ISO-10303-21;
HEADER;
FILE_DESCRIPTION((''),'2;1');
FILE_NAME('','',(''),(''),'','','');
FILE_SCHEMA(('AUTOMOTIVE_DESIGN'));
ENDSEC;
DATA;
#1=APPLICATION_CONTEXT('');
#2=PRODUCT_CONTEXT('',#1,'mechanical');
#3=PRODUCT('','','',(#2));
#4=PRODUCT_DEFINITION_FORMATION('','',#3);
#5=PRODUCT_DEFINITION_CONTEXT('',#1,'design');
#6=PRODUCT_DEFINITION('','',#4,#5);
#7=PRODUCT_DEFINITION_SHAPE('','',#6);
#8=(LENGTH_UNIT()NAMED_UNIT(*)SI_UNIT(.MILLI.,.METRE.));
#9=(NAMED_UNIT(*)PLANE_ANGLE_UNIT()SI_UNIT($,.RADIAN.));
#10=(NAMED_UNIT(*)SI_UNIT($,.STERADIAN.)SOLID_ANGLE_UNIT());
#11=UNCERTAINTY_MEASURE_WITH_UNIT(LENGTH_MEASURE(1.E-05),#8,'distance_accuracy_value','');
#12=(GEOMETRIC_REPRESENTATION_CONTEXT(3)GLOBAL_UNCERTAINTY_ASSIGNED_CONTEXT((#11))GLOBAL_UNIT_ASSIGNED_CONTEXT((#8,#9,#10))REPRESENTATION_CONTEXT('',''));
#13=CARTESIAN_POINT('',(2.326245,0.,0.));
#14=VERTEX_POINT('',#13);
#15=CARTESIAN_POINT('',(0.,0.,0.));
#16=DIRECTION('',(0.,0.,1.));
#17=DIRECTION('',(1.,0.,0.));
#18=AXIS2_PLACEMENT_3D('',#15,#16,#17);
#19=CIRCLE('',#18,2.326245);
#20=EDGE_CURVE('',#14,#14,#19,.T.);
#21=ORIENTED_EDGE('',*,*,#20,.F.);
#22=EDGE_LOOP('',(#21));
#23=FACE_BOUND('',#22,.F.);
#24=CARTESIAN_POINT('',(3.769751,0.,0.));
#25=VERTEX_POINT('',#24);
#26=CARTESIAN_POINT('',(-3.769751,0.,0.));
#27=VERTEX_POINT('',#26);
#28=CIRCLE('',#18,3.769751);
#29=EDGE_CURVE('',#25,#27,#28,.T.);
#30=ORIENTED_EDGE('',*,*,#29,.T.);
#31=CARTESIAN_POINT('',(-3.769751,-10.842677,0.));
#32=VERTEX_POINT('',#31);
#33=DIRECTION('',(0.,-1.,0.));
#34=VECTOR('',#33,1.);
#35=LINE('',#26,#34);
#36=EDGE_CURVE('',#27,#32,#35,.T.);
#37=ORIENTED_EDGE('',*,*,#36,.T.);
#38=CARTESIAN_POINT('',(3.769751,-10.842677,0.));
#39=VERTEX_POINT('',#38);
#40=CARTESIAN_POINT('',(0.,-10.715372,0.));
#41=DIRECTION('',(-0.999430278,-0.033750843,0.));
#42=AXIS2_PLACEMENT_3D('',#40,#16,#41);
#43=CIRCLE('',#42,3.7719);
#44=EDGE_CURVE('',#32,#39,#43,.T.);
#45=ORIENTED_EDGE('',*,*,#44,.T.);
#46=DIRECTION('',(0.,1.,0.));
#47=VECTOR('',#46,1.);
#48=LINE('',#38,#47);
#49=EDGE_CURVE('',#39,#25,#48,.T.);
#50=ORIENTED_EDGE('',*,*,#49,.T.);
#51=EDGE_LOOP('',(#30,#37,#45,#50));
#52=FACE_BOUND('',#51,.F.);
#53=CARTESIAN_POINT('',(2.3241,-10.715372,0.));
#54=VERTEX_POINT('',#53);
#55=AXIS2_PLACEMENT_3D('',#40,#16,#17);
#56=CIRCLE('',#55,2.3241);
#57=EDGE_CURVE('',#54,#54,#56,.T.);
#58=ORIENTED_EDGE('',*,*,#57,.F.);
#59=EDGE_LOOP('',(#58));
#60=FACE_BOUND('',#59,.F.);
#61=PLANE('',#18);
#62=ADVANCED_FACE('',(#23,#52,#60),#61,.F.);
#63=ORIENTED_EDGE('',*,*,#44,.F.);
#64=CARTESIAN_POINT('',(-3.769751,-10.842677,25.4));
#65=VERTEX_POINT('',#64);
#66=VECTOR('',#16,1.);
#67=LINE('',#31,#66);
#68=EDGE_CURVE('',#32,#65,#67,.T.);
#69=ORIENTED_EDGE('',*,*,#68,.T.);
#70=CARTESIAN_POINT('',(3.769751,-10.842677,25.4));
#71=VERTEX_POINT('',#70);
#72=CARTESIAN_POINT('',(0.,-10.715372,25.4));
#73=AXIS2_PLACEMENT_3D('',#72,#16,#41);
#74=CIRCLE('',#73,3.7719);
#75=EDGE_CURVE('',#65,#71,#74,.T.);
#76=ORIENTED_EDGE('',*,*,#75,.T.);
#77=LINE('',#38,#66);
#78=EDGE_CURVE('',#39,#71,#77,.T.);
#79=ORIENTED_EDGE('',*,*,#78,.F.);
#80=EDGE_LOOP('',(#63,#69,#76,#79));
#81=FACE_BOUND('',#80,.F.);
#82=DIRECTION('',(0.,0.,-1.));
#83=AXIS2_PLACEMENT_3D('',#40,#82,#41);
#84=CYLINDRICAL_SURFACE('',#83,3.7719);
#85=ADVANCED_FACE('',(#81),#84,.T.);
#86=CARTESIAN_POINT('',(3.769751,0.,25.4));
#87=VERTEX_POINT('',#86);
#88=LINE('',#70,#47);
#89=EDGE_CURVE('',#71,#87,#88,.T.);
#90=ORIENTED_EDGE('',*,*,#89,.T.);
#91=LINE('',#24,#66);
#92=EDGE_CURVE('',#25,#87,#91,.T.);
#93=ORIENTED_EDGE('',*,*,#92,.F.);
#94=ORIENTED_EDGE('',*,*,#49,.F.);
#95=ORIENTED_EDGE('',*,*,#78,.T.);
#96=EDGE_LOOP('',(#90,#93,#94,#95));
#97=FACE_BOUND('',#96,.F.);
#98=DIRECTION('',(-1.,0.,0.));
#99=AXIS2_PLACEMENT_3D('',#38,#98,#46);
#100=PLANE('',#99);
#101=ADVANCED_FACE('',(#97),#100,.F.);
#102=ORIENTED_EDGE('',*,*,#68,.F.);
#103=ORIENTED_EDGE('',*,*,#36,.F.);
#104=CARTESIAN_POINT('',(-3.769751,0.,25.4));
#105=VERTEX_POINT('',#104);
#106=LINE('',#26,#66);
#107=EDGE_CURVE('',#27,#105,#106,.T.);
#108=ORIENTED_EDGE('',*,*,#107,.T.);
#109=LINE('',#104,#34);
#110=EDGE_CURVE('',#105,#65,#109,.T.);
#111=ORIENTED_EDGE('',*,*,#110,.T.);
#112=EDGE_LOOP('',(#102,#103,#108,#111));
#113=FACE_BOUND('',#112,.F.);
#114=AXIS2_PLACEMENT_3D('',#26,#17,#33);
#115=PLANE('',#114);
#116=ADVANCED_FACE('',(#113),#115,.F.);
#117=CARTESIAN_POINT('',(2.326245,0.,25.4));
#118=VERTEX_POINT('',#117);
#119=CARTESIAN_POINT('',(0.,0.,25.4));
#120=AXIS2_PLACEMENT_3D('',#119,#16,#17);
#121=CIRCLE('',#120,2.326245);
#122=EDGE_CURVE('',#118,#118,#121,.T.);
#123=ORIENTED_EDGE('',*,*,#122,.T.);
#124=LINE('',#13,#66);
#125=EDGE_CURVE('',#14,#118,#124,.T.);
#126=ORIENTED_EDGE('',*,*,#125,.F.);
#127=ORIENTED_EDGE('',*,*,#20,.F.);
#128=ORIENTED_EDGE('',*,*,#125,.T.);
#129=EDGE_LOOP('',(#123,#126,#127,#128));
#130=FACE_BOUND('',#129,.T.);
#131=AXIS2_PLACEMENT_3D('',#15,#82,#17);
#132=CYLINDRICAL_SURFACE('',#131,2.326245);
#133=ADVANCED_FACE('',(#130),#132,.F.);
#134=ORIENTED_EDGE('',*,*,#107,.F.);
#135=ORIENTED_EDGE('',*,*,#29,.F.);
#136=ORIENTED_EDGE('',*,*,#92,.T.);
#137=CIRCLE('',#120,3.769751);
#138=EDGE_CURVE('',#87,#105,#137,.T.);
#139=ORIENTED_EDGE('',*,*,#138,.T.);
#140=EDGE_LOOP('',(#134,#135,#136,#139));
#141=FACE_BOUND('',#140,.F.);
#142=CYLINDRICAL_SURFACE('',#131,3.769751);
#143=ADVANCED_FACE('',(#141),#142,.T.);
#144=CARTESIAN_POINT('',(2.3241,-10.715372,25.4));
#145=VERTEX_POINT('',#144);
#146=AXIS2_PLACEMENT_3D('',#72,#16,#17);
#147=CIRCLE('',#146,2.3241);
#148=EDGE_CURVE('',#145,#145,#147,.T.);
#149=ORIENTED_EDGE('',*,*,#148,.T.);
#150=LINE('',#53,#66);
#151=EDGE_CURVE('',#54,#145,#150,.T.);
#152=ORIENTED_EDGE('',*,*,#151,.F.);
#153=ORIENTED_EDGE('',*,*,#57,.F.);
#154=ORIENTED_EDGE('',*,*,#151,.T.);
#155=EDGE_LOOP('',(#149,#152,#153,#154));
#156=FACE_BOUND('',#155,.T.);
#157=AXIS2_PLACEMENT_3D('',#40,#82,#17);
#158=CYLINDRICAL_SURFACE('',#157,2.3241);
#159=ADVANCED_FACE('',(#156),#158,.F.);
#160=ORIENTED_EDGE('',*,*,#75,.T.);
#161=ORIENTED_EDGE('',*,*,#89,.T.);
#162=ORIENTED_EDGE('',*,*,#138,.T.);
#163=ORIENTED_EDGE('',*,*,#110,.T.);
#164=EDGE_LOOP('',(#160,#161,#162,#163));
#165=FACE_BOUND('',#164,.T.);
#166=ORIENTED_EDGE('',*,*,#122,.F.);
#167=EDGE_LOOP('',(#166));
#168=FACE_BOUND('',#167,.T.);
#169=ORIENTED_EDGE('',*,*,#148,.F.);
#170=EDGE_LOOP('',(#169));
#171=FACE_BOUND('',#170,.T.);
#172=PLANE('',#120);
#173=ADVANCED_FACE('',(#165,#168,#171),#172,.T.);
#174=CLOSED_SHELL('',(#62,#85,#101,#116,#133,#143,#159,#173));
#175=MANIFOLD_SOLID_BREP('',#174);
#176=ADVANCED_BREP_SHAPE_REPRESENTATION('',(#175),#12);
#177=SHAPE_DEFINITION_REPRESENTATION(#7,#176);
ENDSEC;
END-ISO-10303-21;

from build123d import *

# Parameters (mm, degrees)
F0_R     = 2.3262449414
F0_R_2   = 2.3241
F1_DEPTH = 25.4


with BuildPart() as f1:
    # F0 (on Top) → F1 (new body)
    with BuildSketch(Plane.XY):
        with BuildLine():
            ThreePointArc((-3.7697510656, 0), (0, -3.7697510656), (3.7697510656, 0))
            ThreePointArc((3.7697510656, 0), (0, 3.7697510656), (-3.7697510656, 0))
        make_face()
        Circle(F0_R, mode=Mode.SUBTRACT)
        with BuildLine():
            Line((3.7697510656, -10.8426766019), (3.7697510656, -10.588066989))
            ThreePointArc((3.7697510656, -10.588066989), (0, -6.9434717955), (-3.7697510656, -10.588066989))
            Line((-3.7697510656, -10.588066989), (-3.7697510656, -10.8426766019))
            ThreePointArc((-3.7697510656, -10.8426766019), (0, -14.4872717955), (3.7697510656, -10.8426766019))
        make_face()
        with Locations((0, -10.7153717955)):
            Circle(F0_R_2, mode=Mode.SUBTRACT)
        with BuildLine():
            Line((3.7697510656, -10.588066989), (3.7697510656, 0))
            ThreePointArc((3.7697510656, 0), (0, -3.7697510656), (-3.7697510656, 0))
            Line((-3.7697510656, 0), (-3.7697510656, -10.588066989))
            ThreePointArc((-3.7697510656, -10.588066989), (0, -6.9434717955), (3.7697510656, -10.588066989))
        make_face()
    extrude(amount=F1_DEPTH)


solid = f1.part
